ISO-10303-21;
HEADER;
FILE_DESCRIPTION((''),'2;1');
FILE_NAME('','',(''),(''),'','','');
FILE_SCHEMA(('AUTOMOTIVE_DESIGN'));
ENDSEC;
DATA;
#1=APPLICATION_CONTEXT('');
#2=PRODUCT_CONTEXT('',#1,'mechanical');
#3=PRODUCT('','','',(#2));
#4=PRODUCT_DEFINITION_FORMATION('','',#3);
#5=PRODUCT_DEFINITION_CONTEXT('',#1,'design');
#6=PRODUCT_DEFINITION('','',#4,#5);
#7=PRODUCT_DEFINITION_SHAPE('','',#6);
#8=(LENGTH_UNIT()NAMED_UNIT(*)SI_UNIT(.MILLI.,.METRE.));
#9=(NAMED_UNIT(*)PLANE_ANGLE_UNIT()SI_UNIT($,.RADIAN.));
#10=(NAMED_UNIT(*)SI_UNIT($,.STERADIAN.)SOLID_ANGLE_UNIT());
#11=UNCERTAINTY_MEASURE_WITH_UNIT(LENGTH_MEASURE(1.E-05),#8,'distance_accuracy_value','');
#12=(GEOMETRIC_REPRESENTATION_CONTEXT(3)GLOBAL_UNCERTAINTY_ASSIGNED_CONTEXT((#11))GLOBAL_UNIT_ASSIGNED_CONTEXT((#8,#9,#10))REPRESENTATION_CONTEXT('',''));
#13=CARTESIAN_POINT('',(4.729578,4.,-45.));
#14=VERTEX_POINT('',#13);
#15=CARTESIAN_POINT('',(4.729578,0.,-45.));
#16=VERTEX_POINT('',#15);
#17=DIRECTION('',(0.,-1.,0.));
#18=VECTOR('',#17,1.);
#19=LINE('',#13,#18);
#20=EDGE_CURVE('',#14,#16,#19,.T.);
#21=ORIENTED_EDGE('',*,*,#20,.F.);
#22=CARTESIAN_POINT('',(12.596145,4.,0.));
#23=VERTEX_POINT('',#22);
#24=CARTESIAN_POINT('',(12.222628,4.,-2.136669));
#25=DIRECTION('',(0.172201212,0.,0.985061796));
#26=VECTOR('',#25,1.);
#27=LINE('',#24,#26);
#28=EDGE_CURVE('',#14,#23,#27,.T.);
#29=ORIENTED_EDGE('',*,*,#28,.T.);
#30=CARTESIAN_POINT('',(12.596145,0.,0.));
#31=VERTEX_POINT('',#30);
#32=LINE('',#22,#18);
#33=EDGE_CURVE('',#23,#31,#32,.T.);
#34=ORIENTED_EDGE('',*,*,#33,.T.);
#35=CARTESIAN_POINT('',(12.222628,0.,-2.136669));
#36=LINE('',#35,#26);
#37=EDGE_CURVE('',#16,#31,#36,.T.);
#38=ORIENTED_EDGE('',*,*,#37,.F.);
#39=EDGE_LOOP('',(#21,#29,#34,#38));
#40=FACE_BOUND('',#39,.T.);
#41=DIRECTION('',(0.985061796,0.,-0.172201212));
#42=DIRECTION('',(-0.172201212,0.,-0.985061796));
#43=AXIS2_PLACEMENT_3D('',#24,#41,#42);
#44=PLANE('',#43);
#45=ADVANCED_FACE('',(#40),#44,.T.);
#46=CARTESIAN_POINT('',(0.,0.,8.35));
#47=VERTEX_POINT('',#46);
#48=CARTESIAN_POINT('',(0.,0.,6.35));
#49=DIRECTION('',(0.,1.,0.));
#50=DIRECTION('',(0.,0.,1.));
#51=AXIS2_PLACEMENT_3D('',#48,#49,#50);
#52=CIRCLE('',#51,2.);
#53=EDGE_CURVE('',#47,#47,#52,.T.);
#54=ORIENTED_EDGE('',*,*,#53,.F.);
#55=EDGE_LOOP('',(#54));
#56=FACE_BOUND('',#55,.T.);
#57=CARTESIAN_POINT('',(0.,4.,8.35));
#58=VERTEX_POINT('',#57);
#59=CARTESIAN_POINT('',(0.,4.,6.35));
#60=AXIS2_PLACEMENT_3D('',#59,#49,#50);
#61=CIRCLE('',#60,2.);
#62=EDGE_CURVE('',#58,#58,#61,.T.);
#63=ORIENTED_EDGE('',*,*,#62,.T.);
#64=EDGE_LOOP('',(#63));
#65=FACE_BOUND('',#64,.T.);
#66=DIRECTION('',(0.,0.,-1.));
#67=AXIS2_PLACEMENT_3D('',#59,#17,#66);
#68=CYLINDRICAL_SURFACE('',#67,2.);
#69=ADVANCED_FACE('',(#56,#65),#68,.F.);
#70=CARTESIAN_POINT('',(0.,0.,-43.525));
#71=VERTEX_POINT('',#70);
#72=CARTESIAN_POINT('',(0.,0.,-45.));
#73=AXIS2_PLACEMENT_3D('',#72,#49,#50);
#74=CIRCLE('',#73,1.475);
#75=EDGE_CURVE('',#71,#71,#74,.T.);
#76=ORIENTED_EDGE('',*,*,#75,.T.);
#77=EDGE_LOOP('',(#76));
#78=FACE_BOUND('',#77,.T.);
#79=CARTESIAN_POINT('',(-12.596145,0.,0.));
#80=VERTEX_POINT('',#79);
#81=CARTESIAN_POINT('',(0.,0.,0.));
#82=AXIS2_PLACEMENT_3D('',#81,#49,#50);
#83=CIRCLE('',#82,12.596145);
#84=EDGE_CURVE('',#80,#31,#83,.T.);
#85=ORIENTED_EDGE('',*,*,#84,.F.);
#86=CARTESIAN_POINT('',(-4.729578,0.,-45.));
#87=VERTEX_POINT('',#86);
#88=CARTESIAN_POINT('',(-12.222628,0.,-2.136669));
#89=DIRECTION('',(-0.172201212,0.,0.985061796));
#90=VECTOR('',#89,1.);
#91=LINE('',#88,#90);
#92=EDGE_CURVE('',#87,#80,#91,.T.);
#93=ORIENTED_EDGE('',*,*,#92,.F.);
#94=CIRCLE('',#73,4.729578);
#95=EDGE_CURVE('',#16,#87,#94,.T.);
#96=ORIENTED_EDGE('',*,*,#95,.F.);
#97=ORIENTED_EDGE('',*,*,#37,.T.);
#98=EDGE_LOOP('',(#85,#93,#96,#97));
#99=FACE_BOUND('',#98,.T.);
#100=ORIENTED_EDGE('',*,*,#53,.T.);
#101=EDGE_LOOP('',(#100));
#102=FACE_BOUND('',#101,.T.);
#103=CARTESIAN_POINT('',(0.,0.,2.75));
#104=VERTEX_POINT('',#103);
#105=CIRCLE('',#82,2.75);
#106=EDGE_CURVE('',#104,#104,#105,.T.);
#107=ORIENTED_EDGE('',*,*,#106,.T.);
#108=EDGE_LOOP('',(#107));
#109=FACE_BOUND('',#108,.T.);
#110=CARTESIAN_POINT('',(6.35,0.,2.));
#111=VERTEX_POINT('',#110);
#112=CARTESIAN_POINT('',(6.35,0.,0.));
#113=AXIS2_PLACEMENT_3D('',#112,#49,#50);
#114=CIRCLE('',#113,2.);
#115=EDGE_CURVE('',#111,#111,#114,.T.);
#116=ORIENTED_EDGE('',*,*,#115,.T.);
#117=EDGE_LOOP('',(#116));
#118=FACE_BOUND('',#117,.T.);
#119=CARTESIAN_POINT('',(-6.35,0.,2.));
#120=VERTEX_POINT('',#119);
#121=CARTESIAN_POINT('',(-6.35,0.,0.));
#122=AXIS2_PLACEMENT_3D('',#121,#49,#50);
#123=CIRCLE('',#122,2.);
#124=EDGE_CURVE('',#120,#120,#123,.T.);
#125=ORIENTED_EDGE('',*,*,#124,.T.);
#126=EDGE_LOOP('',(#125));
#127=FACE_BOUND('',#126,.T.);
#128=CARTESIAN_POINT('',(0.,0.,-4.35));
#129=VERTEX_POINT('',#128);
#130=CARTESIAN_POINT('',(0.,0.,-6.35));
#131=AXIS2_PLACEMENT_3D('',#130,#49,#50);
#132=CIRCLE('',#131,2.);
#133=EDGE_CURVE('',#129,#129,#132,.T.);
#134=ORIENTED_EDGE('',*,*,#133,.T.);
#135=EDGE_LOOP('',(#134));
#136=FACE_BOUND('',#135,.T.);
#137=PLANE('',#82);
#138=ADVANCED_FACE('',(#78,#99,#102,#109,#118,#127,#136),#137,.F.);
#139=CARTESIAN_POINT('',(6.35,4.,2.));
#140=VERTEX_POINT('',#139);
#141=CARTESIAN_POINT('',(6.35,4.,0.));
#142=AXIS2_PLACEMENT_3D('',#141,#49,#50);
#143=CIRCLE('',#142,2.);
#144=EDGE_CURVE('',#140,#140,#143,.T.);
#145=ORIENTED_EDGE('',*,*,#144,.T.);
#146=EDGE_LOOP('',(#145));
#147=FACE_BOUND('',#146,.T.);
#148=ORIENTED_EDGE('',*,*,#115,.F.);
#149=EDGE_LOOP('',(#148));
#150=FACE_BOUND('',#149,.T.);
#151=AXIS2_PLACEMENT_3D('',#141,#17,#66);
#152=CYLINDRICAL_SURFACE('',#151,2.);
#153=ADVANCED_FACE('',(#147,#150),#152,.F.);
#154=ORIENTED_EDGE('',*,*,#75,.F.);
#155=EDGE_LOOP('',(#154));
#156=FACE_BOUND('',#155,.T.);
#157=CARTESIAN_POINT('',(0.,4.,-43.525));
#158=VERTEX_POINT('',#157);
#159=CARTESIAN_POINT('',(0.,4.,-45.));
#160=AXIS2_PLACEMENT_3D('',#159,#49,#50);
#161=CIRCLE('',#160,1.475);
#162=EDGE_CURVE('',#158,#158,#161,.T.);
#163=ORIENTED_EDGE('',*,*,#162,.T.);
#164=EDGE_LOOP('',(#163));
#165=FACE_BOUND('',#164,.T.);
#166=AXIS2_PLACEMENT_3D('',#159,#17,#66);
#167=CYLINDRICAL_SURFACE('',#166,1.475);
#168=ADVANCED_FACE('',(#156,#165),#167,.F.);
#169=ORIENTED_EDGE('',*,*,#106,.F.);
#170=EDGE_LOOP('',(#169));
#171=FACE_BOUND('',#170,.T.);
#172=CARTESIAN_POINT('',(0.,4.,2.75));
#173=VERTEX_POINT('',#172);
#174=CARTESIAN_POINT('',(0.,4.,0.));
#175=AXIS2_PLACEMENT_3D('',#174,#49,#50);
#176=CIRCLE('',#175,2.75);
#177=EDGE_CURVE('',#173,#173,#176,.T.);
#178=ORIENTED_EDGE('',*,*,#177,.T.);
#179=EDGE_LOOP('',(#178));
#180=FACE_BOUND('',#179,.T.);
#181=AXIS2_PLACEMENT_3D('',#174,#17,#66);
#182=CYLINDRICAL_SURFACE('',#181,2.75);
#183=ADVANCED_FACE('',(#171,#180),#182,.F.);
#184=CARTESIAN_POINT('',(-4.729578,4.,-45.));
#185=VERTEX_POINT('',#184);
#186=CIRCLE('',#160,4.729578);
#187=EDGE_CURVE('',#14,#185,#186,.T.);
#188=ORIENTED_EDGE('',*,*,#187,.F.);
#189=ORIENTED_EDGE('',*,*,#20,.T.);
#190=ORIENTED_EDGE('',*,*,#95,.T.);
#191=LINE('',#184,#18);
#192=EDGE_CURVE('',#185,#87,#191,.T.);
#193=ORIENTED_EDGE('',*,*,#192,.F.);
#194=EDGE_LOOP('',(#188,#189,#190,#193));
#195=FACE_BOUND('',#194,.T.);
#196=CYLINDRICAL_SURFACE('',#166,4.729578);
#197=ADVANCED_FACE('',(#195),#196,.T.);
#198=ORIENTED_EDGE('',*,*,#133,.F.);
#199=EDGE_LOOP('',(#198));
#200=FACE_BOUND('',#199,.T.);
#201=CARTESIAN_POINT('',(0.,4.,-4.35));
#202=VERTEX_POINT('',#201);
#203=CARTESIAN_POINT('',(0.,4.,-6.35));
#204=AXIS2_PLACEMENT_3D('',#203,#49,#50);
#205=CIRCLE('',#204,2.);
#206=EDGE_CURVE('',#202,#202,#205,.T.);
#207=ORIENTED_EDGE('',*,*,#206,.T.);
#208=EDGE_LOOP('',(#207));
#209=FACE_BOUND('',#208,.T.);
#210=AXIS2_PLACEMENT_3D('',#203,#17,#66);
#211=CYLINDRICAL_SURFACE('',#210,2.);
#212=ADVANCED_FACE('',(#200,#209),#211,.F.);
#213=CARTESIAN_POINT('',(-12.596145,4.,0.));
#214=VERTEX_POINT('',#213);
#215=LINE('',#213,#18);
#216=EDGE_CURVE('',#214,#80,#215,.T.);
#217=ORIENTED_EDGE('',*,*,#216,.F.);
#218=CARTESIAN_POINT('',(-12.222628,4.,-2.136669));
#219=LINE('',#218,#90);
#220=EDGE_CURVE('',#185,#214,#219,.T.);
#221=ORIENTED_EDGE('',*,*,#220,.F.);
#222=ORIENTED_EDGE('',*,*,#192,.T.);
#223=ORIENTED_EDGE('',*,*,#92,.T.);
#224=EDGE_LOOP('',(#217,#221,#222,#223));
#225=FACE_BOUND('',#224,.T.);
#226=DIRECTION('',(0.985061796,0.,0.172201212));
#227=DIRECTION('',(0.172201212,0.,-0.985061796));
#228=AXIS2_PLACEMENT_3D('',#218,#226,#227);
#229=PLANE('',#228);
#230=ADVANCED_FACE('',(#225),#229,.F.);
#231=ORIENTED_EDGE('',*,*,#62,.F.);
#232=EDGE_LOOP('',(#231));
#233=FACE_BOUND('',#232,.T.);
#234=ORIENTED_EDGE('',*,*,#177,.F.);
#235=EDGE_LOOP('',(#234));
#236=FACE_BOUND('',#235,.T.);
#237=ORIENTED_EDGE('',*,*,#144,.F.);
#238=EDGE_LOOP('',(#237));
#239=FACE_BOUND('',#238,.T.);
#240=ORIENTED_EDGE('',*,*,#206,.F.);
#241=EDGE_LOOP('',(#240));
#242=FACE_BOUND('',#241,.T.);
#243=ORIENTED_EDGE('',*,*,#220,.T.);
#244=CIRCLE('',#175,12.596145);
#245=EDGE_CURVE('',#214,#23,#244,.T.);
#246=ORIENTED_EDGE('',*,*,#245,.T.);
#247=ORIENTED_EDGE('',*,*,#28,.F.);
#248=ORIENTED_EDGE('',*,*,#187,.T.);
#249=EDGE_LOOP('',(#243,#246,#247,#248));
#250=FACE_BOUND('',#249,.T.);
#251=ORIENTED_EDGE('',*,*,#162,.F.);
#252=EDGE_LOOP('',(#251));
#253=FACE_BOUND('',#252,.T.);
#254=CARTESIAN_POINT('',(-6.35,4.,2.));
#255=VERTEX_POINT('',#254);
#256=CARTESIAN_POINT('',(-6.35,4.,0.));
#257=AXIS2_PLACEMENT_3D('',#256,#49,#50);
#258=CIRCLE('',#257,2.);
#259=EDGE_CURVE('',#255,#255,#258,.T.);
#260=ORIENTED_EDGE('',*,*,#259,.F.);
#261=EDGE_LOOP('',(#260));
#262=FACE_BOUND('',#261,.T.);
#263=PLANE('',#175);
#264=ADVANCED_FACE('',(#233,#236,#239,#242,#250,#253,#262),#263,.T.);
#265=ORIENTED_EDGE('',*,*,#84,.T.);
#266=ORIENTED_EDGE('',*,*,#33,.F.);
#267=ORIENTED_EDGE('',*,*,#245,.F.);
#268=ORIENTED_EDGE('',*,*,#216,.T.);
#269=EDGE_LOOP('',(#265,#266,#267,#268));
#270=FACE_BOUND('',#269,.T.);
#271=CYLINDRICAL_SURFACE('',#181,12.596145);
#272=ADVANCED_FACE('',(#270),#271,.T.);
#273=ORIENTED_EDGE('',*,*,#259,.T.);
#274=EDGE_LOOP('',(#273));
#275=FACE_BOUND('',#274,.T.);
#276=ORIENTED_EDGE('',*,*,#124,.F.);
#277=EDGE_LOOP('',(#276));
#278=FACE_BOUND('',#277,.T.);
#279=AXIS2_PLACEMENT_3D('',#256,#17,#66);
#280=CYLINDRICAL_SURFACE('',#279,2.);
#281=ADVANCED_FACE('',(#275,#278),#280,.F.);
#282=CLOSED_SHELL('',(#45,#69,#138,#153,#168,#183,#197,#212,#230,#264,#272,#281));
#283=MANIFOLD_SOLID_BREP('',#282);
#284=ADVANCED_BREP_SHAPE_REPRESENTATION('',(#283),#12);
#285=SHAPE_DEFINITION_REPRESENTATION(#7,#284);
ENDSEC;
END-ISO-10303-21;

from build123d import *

# Parameters (mm, degrees)
SKETCH1_R           = 4.729578235
SKETCH1_R_2         = 1.475
SKETCH1_R_3         = 2
SKETCH1_R_4         = 2.75
BOSS_EXTRUDE1_DEPTH = 4


with BuildPart() as part:
    # Sketch1 → Boss-Extrude1 (new body)
    # profile 1 of 3: a face of its own
    with BuildSketch(Plane(origin=(0, 0, 0), x_dir=(1, 0, 0), z_dir=(0, 1, 0))):
        with Locations((0, 45)):
            Circle(SKETCH1_R)
        with Locations(Location((0, 45, 0), (0, 0, 270))):
            Circle(SKETCH1_R_2, mode=Mode.SUBTRACT)
    # profile 2 of 3: a face of its own
    with BuildSketch(Plane(origin=(0, 0, 0), x_dir=(1, 0, 0), z_dir=(0, 1, 0))):
        with BuildLine():
            Line((11.849111677, 4.273338853), (4.729578235, 45))
            ThreePointArc((4.729578235, 45), (0, 40.270421765), (-4.729578235, 45))
            Line((-4.729578235, 45), (-11.849111677, 4.273338853))
            ThreePointArc((-11.849111677, 4.273338853), (0, 12.596145144), (11.849111677, 4.273338853))
        make_face()
    # profile 3 of 3: a face of its own
    with BuildSketch(Plane(origin=(0, 0, 0), x_dir=(1, 0, 0), z_dir=(0, 1, 0))):
        with BuildLine():
            Line((12.596145144, 0), (11.849111677, 4.273338853))
            ThreePointArc((11.849111677, 4.273338853), (0, 12.596145144), (-11.849111677, 4.273338853))
            Line((-11.849111677, 4.273338853), (-12.596145144, 0))
            ThreePointArc((-12.596145144, 0), (0, -12.596145144), (12.596145144, 0))
        make_face()
        with Locations(Location((-6.35, 0, 0), (0, 0, 270))):
            Circle(SKETCH1_R_3, mode=Mode.SUBTRACT)
        with Locations(Location((0, -6.35, 0), (0, 0, 270))):
            Circle(SKETCH1_R_3, mode=Mode.SUBTRACT)
        with Locations(Location((0, 0, 0), (0, 0, 270))):
            Circle(SKETCH1_R_4, mode=Mode.SUBTRACT)
        with Locations(Location((6.35, 0, 0), (0, 0, 270))):
            Circle(SKETCH1_R_3, mode=Mode.SUBTRACT)
        with Locations(Location((0, 6.35, 0), (0, 0, 270))):
            Circle(SKETCH1_R_3, mode=Mode.SUBTRACT)
    extrude(amount=BOSS_EXTRUDE1_DEPTH)


solid = part.part
